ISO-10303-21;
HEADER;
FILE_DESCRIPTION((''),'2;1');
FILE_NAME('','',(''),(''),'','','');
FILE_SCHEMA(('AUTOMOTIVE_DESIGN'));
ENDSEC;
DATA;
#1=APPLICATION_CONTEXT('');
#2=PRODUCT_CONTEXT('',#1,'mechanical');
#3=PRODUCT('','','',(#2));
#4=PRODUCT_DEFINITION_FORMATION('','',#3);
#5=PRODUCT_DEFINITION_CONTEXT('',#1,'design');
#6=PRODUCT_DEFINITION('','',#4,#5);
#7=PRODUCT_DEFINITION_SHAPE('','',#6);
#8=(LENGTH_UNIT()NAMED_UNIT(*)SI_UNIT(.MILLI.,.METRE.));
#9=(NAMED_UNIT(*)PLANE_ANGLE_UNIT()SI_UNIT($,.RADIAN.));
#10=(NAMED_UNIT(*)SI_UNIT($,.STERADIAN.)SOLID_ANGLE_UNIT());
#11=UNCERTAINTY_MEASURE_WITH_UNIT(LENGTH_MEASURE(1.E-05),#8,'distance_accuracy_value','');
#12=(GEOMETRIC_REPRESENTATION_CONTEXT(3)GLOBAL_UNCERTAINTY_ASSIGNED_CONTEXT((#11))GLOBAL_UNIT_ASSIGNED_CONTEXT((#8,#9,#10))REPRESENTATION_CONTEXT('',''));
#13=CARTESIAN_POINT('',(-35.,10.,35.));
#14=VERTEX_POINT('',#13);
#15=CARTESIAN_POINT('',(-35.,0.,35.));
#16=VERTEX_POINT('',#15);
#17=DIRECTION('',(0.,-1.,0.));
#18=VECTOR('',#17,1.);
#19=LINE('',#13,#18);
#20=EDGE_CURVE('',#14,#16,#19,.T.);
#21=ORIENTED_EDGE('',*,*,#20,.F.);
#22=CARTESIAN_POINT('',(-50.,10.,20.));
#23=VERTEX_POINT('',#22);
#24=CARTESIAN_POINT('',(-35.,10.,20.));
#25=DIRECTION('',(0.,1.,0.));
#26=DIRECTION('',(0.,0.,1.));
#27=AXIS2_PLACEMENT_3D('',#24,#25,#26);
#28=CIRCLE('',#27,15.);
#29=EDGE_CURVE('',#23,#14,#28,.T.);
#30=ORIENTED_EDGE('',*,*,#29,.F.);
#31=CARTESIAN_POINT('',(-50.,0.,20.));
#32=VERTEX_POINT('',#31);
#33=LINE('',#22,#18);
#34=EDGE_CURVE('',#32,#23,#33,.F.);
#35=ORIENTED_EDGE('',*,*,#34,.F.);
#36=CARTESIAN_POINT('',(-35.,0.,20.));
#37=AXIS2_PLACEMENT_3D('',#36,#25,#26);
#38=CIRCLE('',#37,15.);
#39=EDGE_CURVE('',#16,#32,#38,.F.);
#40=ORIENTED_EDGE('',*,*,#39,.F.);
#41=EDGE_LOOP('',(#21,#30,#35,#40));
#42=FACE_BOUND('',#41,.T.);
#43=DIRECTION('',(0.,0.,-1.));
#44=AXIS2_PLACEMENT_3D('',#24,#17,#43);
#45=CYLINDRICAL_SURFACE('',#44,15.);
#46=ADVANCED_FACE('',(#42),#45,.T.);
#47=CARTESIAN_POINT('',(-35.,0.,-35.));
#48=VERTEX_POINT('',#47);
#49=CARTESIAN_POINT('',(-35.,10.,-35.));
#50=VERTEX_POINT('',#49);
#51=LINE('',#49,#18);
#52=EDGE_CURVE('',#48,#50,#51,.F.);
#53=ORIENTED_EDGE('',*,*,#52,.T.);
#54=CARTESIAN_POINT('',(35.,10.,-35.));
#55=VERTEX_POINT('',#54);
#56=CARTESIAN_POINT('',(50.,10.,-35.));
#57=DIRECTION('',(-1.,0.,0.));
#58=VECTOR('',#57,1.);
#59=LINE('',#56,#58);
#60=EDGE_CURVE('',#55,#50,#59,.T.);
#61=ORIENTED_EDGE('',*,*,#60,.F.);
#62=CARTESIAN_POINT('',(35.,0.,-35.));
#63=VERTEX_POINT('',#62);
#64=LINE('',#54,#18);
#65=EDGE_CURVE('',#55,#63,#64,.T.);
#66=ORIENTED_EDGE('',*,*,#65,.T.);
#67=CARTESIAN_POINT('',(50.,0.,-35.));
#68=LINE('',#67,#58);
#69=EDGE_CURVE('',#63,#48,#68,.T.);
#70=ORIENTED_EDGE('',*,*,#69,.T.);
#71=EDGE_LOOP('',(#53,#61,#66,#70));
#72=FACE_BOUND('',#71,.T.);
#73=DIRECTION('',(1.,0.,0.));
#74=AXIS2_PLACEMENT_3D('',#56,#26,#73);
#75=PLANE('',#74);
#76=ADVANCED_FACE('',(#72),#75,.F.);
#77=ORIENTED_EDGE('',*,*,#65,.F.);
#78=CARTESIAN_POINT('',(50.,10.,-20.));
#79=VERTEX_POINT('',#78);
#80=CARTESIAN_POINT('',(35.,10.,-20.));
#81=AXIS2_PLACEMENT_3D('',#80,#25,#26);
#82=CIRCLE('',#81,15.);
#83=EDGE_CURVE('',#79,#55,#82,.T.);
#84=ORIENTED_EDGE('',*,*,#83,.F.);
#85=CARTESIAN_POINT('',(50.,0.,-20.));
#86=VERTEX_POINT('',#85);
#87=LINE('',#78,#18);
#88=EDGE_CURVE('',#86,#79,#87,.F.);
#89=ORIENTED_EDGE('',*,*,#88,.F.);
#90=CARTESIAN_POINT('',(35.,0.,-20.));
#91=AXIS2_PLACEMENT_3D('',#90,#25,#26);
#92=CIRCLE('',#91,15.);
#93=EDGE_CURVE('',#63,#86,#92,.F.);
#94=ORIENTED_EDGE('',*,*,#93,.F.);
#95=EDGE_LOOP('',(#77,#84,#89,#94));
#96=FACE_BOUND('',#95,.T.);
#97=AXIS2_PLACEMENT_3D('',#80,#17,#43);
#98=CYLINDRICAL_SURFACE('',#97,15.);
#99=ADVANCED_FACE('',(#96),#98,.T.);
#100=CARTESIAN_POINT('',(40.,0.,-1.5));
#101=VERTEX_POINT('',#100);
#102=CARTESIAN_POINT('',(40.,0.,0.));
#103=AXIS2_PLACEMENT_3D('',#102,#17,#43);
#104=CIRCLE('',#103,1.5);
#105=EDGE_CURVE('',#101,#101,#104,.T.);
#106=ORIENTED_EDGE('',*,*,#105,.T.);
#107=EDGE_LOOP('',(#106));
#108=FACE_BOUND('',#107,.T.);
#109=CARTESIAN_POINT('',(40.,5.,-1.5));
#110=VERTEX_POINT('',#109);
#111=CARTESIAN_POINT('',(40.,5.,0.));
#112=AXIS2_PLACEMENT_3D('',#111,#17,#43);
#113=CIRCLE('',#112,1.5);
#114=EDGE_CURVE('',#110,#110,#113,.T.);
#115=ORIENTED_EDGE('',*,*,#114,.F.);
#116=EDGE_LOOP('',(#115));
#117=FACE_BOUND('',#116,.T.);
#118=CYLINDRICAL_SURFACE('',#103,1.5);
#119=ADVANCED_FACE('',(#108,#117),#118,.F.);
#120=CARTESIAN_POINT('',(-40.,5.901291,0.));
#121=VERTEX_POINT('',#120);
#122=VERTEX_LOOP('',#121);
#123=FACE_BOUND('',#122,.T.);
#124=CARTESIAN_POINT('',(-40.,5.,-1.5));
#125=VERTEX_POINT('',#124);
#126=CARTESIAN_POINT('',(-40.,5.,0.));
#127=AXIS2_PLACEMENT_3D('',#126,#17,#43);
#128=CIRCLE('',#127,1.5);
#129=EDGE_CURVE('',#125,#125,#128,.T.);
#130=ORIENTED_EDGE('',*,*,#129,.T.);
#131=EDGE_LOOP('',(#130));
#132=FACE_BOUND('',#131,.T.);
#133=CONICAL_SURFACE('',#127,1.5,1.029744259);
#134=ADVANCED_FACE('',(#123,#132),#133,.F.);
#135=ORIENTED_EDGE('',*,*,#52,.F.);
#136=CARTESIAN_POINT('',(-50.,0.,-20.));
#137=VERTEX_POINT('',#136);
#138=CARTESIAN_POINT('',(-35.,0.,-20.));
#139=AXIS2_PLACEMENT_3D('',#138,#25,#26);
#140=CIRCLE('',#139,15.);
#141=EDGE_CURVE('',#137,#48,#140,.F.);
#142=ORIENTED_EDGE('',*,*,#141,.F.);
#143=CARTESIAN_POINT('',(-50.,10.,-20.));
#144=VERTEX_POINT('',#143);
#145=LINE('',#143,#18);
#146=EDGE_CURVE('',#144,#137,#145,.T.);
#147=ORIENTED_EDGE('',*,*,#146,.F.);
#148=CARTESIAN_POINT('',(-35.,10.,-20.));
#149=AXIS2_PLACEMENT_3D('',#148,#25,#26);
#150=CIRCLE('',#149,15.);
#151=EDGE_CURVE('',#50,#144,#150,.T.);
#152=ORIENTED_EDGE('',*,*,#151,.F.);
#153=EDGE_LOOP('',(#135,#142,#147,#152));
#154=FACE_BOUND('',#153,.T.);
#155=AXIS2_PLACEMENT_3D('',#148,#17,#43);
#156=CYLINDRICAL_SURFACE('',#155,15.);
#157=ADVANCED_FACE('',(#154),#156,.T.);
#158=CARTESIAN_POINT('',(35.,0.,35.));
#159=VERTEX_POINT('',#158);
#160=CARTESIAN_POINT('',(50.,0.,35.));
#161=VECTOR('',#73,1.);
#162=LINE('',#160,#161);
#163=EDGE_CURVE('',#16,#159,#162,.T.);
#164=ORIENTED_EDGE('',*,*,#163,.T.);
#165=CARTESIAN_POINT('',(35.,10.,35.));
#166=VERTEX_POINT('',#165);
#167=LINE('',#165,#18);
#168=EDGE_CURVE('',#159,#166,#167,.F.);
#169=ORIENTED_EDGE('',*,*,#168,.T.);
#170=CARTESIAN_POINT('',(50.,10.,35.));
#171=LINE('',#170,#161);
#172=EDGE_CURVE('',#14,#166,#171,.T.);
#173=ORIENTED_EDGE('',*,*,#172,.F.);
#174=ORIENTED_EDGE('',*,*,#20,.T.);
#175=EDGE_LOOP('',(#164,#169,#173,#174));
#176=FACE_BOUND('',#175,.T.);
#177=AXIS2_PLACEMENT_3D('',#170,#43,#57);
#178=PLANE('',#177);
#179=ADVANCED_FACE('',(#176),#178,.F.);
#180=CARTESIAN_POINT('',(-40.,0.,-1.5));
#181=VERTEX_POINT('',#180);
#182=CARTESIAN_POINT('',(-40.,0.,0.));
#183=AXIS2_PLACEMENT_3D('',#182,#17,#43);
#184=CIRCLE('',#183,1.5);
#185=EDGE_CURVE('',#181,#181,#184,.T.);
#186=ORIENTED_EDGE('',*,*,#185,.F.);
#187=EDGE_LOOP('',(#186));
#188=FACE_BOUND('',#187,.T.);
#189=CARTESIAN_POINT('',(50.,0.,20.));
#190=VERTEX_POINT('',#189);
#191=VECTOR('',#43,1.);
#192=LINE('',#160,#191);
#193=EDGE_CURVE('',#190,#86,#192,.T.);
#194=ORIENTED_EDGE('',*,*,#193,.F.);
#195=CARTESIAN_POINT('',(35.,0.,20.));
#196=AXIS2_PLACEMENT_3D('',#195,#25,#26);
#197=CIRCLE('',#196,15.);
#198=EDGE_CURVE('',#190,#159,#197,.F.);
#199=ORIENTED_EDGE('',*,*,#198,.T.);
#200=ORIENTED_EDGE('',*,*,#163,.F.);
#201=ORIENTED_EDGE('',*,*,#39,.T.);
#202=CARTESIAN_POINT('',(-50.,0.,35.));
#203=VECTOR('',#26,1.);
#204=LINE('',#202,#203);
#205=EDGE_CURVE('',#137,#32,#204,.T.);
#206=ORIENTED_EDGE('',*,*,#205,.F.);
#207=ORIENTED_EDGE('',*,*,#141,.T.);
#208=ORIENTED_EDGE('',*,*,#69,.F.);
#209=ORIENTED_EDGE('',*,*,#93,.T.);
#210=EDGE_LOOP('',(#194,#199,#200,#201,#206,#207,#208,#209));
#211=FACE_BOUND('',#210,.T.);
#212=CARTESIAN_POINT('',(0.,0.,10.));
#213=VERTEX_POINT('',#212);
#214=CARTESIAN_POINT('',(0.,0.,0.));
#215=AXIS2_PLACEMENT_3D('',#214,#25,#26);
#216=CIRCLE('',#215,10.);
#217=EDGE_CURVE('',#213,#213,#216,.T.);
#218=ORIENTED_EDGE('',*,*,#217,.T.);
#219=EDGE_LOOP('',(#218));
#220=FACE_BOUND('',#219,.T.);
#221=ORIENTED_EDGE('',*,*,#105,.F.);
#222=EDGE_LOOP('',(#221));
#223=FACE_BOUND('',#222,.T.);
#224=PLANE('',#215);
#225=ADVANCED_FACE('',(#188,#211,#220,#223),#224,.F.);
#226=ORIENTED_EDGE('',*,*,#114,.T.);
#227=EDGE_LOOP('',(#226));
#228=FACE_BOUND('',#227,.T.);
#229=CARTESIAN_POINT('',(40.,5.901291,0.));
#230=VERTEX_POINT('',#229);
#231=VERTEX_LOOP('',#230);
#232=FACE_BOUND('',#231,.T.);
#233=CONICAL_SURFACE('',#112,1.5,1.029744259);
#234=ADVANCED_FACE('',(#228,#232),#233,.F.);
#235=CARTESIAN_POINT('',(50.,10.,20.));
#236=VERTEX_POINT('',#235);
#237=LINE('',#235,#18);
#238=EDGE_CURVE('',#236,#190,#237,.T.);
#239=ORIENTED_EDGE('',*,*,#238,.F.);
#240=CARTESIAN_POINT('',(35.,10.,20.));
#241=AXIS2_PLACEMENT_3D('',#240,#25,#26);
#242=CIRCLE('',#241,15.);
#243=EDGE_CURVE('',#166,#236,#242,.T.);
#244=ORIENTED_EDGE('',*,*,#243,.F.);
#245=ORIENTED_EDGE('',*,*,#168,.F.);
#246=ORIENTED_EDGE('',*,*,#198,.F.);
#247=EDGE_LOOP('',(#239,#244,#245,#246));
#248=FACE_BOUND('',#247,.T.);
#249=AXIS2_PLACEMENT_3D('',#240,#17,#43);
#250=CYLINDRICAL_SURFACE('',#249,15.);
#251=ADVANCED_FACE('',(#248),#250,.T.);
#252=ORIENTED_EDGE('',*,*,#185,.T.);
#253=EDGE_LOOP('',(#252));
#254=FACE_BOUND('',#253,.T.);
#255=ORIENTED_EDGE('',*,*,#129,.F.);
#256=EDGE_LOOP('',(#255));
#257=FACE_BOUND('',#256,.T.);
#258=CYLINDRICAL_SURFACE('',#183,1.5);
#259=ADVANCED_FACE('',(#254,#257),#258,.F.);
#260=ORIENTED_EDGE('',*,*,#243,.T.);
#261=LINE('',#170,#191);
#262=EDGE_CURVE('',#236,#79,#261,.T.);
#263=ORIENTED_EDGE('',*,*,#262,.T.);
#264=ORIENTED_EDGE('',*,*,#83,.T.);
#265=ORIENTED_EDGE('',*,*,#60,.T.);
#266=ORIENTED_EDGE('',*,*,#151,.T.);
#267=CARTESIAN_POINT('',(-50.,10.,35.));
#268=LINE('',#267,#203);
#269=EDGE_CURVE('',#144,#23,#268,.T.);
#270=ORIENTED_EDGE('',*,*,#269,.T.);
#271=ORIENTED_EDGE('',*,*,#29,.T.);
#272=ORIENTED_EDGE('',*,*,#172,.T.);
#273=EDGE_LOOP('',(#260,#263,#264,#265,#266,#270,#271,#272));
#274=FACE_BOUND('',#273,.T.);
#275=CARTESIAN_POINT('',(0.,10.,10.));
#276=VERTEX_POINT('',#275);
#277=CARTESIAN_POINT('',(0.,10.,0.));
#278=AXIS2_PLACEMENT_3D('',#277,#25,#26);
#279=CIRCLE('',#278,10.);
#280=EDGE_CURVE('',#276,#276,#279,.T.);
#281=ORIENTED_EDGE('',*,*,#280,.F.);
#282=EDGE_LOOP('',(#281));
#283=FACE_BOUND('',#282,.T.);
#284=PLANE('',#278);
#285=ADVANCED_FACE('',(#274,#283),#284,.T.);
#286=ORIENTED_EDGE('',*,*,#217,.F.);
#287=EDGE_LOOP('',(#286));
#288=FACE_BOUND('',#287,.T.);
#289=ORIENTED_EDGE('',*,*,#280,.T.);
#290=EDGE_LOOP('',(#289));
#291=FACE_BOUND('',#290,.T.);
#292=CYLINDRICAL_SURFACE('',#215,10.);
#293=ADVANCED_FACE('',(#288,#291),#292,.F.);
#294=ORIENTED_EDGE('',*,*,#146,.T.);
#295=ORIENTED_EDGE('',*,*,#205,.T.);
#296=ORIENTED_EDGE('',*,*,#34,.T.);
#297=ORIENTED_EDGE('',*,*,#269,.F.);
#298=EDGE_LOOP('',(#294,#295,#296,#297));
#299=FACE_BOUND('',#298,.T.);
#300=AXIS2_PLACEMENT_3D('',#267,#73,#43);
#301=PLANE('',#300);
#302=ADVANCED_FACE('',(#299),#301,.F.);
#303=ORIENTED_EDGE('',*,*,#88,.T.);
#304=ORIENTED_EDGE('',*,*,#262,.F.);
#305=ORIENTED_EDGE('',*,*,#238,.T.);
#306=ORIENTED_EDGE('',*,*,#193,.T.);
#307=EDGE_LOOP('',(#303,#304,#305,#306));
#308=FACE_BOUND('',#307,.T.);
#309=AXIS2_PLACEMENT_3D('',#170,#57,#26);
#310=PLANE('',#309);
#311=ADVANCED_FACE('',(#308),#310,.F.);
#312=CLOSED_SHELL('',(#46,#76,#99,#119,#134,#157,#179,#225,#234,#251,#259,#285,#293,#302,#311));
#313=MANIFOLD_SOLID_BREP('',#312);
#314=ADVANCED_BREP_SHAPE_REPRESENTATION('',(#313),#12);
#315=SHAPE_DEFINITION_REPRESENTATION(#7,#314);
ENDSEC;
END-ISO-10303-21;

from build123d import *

# Parameters (mm, degrees)
SKETCH1_W                 = 100
SKETCH1_H                 = 70
BOSS_EXTRUDE1_DEPTH       = 10
SKETCH2_R                 = 10
CUT_EXTRUDE1_DEPTH        = 11
F_3_0MM_DOWEL_HOLE1_D     = 3
F_3_0MM_DOWEL_HOLE1_DEPTH = 5
F_3_0MM_DOWEL_HOLE1_TIP   = 0.901290929
FILLET2_R                 = 15


with BuildPart() as part:
    # Sketch1 → Boss-Extrude1 (new body)
    with BuildSketch(Plane(origin=(0, 0, 0), x_dir=(1, 0, 0), z_dir=(0, 1, 0))):
        Rectangle(SKETCH1_W, SKETCH1_H)
    extrude(amount=BOSS_EXTRUDE1_DEPTH)

    # Sketch2 → Cut-Extrude1 (cut, through all)
    with BuildSketch(Plane(origin=(0, 10, 0), x_dir=(1, 0, 0), z_dir=(0, 1, 0))):
        Circle(SKETCH2_R)
    extrude(amount=-CUT_EXTRUDE1_DEPTH, mode=Mode.SUBTRACT)

    # Ø3.0mm Dowel Hole1
    with Locations(Plane(origin=(0, 0, 0), x_dir=(-1, 0, 0), z_dir=(0, -1, 0))):
        with Locations((40, 0), (-40, 0)):
            Hole(F_3_0MM_DOWEL_HOLE1_D / 2, depth=F_3_0MM_DOWEL_HOLE1_DEPTH)
            with Locations((0, 0, -(F_3_0MM_DOWEL_HOLE1_DEPTH + F_3_0MM_DOWEL_HOLE1_TIP / 2))):  # 118° drill point
                Cone(0, F_3_0MM_DOWEL_HOLE1_D / 2, F_3_0MM_DOWEL_HOLE1_TIP, mode=Mode.SUBTRACT)

    # Fillet2
    fillet2_edges = [part.edges().sort_by_distance(p)[0] for p in [
        (-50, 5, -35),
        (50, 5, -35),
        (50, 5, 35),
        (-50, 5, 35),
    ]]
    fillet(fillet2_edges, radius=FILLET2_R)


solid = part.part
